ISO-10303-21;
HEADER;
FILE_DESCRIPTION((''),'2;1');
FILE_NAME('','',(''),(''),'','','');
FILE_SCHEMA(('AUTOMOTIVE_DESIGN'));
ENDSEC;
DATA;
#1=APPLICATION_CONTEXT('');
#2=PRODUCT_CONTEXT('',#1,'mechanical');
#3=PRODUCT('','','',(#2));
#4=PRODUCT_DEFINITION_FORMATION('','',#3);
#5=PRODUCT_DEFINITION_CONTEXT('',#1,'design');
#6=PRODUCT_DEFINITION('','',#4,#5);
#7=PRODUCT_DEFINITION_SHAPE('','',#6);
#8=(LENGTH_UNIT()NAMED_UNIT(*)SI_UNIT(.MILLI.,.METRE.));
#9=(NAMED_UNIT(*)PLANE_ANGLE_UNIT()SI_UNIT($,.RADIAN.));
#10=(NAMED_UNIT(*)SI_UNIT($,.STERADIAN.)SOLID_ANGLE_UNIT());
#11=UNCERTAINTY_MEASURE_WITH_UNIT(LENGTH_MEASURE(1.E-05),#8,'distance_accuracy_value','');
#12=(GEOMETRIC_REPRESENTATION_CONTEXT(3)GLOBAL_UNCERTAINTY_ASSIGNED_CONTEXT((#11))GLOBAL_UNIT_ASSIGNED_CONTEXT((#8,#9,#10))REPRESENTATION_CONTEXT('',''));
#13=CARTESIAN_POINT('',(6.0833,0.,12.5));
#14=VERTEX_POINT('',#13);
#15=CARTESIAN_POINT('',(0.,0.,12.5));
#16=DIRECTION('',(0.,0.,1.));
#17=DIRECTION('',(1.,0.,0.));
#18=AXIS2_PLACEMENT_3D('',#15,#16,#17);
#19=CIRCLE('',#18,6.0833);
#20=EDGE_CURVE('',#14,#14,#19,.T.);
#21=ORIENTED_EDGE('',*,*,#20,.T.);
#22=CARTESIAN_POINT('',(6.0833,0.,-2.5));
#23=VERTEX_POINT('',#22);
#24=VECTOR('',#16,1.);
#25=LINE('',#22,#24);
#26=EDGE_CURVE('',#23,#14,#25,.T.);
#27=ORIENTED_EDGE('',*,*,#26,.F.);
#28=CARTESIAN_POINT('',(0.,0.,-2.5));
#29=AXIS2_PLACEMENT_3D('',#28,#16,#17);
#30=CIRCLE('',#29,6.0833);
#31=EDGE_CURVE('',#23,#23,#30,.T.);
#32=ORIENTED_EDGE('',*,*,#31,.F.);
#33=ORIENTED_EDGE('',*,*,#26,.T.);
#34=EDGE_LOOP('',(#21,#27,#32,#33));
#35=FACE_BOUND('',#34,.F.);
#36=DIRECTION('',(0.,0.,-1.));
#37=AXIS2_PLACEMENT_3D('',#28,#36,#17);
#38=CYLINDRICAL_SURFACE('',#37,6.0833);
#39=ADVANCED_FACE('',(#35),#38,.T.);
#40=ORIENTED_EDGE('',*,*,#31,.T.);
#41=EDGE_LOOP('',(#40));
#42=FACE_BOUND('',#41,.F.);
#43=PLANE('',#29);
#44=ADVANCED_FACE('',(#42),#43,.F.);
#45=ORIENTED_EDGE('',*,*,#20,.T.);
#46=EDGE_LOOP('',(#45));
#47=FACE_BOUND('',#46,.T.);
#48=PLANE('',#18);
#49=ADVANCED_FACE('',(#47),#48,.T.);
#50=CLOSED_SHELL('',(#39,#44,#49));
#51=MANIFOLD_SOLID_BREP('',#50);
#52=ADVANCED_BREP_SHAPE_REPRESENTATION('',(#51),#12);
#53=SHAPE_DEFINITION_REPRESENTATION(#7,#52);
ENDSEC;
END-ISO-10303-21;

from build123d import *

# Parameters (mm, degrees)
CYLINDER_R     = 6.0833
CYLINDER_DEPTH = 15


with BuildPart() as part:
    # Cylinder → Cylinder (new body)
    with BuildSketch(Plane.XY.offset(-2.5)):
        Circle(CYLINDER_R)
    extrude(amount=CYLINDER_DEPTH)


solid = part.part
